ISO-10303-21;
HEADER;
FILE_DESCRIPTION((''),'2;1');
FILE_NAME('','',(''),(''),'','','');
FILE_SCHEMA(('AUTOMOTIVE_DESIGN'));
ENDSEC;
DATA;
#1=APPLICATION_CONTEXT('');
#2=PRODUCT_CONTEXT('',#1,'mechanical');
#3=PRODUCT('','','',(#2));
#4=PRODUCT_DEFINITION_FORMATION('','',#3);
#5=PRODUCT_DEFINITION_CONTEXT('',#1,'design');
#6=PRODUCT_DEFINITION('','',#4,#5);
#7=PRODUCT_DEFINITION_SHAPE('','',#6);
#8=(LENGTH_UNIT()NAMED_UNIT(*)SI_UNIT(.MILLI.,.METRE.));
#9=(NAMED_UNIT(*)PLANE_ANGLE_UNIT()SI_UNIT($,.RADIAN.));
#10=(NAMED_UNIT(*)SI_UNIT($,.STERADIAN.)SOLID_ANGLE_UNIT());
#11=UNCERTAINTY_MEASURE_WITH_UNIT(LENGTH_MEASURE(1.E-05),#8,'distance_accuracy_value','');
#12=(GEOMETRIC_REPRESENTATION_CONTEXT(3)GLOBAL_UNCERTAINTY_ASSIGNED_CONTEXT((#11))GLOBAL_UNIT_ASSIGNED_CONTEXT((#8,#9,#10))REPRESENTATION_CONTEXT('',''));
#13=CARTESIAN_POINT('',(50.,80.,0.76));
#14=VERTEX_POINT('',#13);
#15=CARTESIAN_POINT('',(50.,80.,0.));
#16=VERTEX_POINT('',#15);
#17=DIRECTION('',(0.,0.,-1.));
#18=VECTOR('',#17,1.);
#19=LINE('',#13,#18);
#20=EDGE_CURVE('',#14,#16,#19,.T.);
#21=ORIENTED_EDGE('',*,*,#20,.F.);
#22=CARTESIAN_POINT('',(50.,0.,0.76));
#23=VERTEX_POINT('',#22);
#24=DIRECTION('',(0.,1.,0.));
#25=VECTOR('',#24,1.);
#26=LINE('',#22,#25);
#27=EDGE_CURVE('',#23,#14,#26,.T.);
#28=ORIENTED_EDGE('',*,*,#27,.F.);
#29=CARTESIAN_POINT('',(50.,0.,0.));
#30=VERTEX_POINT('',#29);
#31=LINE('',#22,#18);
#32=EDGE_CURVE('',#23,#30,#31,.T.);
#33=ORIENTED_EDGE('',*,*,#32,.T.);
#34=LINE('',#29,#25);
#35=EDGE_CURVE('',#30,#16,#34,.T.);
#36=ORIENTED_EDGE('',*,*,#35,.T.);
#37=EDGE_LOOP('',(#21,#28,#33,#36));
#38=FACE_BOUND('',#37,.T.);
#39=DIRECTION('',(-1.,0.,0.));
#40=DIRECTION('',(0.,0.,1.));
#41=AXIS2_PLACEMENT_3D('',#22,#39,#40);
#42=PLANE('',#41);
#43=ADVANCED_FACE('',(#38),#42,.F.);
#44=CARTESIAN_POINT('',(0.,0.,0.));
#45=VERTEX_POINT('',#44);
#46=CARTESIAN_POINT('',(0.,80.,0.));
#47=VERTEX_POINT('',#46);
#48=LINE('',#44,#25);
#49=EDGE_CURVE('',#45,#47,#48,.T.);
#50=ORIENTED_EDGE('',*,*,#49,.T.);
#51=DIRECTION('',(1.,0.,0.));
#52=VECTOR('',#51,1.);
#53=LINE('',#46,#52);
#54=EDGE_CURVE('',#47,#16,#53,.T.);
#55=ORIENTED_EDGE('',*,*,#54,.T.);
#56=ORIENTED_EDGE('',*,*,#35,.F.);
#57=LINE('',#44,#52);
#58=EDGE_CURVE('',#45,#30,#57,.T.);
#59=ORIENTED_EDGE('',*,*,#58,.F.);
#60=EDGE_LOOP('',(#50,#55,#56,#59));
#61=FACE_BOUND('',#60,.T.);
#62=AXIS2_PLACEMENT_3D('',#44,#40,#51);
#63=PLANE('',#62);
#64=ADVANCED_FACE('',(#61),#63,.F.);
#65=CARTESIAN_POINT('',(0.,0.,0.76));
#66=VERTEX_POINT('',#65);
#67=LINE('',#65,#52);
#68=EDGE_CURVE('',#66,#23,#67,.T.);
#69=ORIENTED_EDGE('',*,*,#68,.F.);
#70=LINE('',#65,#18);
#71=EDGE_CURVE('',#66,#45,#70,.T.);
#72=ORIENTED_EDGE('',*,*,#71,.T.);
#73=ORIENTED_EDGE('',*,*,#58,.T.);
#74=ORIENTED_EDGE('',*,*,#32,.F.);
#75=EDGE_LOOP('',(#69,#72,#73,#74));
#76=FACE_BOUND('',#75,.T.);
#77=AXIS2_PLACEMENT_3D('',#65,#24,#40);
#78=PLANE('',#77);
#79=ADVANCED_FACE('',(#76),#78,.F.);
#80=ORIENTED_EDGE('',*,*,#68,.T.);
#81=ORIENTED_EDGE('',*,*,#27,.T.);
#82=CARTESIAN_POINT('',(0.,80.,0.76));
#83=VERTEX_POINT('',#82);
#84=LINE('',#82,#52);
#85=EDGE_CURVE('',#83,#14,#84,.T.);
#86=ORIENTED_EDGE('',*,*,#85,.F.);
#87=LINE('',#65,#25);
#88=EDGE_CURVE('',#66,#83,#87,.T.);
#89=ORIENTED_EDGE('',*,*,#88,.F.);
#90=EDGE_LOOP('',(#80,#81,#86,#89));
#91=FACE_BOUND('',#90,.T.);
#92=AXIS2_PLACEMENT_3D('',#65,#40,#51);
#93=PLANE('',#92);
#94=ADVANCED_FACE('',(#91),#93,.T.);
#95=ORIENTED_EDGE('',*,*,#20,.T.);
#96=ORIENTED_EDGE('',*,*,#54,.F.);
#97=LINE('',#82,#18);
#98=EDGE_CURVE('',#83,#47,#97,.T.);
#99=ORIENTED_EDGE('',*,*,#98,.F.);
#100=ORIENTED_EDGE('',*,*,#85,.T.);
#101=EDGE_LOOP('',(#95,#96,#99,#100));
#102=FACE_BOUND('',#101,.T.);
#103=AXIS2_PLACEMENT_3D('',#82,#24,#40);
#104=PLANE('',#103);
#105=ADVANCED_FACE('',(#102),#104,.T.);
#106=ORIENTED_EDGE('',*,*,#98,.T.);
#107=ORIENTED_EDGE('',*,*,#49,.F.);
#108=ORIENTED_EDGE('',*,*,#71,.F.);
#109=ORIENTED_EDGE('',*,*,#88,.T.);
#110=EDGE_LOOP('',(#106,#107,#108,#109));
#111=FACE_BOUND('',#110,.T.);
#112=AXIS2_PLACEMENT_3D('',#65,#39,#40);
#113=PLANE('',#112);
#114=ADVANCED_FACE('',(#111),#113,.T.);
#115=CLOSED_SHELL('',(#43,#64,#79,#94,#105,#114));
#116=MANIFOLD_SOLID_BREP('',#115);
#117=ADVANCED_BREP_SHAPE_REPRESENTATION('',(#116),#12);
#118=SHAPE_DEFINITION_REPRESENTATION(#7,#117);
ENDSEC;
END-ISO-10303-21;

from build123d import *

# Parameters (mm, degrees)
SKETCH1_W           = 50
SKETCH1_H           = 80
BOSS_EXTRUDE1_DEPTH = 0.76


with BuildPart() as part:
    # Sketch1 → Boss-Extrude1 (new body)
    with BuildSketch(Plane.XY):
        with Locations((25, 40)):
            Rectangle(SKETCH1_W, SKETCH1_H)
    extrude(amount=BOSS_EXTRUDE1_DEPTH)


solid = part.part
